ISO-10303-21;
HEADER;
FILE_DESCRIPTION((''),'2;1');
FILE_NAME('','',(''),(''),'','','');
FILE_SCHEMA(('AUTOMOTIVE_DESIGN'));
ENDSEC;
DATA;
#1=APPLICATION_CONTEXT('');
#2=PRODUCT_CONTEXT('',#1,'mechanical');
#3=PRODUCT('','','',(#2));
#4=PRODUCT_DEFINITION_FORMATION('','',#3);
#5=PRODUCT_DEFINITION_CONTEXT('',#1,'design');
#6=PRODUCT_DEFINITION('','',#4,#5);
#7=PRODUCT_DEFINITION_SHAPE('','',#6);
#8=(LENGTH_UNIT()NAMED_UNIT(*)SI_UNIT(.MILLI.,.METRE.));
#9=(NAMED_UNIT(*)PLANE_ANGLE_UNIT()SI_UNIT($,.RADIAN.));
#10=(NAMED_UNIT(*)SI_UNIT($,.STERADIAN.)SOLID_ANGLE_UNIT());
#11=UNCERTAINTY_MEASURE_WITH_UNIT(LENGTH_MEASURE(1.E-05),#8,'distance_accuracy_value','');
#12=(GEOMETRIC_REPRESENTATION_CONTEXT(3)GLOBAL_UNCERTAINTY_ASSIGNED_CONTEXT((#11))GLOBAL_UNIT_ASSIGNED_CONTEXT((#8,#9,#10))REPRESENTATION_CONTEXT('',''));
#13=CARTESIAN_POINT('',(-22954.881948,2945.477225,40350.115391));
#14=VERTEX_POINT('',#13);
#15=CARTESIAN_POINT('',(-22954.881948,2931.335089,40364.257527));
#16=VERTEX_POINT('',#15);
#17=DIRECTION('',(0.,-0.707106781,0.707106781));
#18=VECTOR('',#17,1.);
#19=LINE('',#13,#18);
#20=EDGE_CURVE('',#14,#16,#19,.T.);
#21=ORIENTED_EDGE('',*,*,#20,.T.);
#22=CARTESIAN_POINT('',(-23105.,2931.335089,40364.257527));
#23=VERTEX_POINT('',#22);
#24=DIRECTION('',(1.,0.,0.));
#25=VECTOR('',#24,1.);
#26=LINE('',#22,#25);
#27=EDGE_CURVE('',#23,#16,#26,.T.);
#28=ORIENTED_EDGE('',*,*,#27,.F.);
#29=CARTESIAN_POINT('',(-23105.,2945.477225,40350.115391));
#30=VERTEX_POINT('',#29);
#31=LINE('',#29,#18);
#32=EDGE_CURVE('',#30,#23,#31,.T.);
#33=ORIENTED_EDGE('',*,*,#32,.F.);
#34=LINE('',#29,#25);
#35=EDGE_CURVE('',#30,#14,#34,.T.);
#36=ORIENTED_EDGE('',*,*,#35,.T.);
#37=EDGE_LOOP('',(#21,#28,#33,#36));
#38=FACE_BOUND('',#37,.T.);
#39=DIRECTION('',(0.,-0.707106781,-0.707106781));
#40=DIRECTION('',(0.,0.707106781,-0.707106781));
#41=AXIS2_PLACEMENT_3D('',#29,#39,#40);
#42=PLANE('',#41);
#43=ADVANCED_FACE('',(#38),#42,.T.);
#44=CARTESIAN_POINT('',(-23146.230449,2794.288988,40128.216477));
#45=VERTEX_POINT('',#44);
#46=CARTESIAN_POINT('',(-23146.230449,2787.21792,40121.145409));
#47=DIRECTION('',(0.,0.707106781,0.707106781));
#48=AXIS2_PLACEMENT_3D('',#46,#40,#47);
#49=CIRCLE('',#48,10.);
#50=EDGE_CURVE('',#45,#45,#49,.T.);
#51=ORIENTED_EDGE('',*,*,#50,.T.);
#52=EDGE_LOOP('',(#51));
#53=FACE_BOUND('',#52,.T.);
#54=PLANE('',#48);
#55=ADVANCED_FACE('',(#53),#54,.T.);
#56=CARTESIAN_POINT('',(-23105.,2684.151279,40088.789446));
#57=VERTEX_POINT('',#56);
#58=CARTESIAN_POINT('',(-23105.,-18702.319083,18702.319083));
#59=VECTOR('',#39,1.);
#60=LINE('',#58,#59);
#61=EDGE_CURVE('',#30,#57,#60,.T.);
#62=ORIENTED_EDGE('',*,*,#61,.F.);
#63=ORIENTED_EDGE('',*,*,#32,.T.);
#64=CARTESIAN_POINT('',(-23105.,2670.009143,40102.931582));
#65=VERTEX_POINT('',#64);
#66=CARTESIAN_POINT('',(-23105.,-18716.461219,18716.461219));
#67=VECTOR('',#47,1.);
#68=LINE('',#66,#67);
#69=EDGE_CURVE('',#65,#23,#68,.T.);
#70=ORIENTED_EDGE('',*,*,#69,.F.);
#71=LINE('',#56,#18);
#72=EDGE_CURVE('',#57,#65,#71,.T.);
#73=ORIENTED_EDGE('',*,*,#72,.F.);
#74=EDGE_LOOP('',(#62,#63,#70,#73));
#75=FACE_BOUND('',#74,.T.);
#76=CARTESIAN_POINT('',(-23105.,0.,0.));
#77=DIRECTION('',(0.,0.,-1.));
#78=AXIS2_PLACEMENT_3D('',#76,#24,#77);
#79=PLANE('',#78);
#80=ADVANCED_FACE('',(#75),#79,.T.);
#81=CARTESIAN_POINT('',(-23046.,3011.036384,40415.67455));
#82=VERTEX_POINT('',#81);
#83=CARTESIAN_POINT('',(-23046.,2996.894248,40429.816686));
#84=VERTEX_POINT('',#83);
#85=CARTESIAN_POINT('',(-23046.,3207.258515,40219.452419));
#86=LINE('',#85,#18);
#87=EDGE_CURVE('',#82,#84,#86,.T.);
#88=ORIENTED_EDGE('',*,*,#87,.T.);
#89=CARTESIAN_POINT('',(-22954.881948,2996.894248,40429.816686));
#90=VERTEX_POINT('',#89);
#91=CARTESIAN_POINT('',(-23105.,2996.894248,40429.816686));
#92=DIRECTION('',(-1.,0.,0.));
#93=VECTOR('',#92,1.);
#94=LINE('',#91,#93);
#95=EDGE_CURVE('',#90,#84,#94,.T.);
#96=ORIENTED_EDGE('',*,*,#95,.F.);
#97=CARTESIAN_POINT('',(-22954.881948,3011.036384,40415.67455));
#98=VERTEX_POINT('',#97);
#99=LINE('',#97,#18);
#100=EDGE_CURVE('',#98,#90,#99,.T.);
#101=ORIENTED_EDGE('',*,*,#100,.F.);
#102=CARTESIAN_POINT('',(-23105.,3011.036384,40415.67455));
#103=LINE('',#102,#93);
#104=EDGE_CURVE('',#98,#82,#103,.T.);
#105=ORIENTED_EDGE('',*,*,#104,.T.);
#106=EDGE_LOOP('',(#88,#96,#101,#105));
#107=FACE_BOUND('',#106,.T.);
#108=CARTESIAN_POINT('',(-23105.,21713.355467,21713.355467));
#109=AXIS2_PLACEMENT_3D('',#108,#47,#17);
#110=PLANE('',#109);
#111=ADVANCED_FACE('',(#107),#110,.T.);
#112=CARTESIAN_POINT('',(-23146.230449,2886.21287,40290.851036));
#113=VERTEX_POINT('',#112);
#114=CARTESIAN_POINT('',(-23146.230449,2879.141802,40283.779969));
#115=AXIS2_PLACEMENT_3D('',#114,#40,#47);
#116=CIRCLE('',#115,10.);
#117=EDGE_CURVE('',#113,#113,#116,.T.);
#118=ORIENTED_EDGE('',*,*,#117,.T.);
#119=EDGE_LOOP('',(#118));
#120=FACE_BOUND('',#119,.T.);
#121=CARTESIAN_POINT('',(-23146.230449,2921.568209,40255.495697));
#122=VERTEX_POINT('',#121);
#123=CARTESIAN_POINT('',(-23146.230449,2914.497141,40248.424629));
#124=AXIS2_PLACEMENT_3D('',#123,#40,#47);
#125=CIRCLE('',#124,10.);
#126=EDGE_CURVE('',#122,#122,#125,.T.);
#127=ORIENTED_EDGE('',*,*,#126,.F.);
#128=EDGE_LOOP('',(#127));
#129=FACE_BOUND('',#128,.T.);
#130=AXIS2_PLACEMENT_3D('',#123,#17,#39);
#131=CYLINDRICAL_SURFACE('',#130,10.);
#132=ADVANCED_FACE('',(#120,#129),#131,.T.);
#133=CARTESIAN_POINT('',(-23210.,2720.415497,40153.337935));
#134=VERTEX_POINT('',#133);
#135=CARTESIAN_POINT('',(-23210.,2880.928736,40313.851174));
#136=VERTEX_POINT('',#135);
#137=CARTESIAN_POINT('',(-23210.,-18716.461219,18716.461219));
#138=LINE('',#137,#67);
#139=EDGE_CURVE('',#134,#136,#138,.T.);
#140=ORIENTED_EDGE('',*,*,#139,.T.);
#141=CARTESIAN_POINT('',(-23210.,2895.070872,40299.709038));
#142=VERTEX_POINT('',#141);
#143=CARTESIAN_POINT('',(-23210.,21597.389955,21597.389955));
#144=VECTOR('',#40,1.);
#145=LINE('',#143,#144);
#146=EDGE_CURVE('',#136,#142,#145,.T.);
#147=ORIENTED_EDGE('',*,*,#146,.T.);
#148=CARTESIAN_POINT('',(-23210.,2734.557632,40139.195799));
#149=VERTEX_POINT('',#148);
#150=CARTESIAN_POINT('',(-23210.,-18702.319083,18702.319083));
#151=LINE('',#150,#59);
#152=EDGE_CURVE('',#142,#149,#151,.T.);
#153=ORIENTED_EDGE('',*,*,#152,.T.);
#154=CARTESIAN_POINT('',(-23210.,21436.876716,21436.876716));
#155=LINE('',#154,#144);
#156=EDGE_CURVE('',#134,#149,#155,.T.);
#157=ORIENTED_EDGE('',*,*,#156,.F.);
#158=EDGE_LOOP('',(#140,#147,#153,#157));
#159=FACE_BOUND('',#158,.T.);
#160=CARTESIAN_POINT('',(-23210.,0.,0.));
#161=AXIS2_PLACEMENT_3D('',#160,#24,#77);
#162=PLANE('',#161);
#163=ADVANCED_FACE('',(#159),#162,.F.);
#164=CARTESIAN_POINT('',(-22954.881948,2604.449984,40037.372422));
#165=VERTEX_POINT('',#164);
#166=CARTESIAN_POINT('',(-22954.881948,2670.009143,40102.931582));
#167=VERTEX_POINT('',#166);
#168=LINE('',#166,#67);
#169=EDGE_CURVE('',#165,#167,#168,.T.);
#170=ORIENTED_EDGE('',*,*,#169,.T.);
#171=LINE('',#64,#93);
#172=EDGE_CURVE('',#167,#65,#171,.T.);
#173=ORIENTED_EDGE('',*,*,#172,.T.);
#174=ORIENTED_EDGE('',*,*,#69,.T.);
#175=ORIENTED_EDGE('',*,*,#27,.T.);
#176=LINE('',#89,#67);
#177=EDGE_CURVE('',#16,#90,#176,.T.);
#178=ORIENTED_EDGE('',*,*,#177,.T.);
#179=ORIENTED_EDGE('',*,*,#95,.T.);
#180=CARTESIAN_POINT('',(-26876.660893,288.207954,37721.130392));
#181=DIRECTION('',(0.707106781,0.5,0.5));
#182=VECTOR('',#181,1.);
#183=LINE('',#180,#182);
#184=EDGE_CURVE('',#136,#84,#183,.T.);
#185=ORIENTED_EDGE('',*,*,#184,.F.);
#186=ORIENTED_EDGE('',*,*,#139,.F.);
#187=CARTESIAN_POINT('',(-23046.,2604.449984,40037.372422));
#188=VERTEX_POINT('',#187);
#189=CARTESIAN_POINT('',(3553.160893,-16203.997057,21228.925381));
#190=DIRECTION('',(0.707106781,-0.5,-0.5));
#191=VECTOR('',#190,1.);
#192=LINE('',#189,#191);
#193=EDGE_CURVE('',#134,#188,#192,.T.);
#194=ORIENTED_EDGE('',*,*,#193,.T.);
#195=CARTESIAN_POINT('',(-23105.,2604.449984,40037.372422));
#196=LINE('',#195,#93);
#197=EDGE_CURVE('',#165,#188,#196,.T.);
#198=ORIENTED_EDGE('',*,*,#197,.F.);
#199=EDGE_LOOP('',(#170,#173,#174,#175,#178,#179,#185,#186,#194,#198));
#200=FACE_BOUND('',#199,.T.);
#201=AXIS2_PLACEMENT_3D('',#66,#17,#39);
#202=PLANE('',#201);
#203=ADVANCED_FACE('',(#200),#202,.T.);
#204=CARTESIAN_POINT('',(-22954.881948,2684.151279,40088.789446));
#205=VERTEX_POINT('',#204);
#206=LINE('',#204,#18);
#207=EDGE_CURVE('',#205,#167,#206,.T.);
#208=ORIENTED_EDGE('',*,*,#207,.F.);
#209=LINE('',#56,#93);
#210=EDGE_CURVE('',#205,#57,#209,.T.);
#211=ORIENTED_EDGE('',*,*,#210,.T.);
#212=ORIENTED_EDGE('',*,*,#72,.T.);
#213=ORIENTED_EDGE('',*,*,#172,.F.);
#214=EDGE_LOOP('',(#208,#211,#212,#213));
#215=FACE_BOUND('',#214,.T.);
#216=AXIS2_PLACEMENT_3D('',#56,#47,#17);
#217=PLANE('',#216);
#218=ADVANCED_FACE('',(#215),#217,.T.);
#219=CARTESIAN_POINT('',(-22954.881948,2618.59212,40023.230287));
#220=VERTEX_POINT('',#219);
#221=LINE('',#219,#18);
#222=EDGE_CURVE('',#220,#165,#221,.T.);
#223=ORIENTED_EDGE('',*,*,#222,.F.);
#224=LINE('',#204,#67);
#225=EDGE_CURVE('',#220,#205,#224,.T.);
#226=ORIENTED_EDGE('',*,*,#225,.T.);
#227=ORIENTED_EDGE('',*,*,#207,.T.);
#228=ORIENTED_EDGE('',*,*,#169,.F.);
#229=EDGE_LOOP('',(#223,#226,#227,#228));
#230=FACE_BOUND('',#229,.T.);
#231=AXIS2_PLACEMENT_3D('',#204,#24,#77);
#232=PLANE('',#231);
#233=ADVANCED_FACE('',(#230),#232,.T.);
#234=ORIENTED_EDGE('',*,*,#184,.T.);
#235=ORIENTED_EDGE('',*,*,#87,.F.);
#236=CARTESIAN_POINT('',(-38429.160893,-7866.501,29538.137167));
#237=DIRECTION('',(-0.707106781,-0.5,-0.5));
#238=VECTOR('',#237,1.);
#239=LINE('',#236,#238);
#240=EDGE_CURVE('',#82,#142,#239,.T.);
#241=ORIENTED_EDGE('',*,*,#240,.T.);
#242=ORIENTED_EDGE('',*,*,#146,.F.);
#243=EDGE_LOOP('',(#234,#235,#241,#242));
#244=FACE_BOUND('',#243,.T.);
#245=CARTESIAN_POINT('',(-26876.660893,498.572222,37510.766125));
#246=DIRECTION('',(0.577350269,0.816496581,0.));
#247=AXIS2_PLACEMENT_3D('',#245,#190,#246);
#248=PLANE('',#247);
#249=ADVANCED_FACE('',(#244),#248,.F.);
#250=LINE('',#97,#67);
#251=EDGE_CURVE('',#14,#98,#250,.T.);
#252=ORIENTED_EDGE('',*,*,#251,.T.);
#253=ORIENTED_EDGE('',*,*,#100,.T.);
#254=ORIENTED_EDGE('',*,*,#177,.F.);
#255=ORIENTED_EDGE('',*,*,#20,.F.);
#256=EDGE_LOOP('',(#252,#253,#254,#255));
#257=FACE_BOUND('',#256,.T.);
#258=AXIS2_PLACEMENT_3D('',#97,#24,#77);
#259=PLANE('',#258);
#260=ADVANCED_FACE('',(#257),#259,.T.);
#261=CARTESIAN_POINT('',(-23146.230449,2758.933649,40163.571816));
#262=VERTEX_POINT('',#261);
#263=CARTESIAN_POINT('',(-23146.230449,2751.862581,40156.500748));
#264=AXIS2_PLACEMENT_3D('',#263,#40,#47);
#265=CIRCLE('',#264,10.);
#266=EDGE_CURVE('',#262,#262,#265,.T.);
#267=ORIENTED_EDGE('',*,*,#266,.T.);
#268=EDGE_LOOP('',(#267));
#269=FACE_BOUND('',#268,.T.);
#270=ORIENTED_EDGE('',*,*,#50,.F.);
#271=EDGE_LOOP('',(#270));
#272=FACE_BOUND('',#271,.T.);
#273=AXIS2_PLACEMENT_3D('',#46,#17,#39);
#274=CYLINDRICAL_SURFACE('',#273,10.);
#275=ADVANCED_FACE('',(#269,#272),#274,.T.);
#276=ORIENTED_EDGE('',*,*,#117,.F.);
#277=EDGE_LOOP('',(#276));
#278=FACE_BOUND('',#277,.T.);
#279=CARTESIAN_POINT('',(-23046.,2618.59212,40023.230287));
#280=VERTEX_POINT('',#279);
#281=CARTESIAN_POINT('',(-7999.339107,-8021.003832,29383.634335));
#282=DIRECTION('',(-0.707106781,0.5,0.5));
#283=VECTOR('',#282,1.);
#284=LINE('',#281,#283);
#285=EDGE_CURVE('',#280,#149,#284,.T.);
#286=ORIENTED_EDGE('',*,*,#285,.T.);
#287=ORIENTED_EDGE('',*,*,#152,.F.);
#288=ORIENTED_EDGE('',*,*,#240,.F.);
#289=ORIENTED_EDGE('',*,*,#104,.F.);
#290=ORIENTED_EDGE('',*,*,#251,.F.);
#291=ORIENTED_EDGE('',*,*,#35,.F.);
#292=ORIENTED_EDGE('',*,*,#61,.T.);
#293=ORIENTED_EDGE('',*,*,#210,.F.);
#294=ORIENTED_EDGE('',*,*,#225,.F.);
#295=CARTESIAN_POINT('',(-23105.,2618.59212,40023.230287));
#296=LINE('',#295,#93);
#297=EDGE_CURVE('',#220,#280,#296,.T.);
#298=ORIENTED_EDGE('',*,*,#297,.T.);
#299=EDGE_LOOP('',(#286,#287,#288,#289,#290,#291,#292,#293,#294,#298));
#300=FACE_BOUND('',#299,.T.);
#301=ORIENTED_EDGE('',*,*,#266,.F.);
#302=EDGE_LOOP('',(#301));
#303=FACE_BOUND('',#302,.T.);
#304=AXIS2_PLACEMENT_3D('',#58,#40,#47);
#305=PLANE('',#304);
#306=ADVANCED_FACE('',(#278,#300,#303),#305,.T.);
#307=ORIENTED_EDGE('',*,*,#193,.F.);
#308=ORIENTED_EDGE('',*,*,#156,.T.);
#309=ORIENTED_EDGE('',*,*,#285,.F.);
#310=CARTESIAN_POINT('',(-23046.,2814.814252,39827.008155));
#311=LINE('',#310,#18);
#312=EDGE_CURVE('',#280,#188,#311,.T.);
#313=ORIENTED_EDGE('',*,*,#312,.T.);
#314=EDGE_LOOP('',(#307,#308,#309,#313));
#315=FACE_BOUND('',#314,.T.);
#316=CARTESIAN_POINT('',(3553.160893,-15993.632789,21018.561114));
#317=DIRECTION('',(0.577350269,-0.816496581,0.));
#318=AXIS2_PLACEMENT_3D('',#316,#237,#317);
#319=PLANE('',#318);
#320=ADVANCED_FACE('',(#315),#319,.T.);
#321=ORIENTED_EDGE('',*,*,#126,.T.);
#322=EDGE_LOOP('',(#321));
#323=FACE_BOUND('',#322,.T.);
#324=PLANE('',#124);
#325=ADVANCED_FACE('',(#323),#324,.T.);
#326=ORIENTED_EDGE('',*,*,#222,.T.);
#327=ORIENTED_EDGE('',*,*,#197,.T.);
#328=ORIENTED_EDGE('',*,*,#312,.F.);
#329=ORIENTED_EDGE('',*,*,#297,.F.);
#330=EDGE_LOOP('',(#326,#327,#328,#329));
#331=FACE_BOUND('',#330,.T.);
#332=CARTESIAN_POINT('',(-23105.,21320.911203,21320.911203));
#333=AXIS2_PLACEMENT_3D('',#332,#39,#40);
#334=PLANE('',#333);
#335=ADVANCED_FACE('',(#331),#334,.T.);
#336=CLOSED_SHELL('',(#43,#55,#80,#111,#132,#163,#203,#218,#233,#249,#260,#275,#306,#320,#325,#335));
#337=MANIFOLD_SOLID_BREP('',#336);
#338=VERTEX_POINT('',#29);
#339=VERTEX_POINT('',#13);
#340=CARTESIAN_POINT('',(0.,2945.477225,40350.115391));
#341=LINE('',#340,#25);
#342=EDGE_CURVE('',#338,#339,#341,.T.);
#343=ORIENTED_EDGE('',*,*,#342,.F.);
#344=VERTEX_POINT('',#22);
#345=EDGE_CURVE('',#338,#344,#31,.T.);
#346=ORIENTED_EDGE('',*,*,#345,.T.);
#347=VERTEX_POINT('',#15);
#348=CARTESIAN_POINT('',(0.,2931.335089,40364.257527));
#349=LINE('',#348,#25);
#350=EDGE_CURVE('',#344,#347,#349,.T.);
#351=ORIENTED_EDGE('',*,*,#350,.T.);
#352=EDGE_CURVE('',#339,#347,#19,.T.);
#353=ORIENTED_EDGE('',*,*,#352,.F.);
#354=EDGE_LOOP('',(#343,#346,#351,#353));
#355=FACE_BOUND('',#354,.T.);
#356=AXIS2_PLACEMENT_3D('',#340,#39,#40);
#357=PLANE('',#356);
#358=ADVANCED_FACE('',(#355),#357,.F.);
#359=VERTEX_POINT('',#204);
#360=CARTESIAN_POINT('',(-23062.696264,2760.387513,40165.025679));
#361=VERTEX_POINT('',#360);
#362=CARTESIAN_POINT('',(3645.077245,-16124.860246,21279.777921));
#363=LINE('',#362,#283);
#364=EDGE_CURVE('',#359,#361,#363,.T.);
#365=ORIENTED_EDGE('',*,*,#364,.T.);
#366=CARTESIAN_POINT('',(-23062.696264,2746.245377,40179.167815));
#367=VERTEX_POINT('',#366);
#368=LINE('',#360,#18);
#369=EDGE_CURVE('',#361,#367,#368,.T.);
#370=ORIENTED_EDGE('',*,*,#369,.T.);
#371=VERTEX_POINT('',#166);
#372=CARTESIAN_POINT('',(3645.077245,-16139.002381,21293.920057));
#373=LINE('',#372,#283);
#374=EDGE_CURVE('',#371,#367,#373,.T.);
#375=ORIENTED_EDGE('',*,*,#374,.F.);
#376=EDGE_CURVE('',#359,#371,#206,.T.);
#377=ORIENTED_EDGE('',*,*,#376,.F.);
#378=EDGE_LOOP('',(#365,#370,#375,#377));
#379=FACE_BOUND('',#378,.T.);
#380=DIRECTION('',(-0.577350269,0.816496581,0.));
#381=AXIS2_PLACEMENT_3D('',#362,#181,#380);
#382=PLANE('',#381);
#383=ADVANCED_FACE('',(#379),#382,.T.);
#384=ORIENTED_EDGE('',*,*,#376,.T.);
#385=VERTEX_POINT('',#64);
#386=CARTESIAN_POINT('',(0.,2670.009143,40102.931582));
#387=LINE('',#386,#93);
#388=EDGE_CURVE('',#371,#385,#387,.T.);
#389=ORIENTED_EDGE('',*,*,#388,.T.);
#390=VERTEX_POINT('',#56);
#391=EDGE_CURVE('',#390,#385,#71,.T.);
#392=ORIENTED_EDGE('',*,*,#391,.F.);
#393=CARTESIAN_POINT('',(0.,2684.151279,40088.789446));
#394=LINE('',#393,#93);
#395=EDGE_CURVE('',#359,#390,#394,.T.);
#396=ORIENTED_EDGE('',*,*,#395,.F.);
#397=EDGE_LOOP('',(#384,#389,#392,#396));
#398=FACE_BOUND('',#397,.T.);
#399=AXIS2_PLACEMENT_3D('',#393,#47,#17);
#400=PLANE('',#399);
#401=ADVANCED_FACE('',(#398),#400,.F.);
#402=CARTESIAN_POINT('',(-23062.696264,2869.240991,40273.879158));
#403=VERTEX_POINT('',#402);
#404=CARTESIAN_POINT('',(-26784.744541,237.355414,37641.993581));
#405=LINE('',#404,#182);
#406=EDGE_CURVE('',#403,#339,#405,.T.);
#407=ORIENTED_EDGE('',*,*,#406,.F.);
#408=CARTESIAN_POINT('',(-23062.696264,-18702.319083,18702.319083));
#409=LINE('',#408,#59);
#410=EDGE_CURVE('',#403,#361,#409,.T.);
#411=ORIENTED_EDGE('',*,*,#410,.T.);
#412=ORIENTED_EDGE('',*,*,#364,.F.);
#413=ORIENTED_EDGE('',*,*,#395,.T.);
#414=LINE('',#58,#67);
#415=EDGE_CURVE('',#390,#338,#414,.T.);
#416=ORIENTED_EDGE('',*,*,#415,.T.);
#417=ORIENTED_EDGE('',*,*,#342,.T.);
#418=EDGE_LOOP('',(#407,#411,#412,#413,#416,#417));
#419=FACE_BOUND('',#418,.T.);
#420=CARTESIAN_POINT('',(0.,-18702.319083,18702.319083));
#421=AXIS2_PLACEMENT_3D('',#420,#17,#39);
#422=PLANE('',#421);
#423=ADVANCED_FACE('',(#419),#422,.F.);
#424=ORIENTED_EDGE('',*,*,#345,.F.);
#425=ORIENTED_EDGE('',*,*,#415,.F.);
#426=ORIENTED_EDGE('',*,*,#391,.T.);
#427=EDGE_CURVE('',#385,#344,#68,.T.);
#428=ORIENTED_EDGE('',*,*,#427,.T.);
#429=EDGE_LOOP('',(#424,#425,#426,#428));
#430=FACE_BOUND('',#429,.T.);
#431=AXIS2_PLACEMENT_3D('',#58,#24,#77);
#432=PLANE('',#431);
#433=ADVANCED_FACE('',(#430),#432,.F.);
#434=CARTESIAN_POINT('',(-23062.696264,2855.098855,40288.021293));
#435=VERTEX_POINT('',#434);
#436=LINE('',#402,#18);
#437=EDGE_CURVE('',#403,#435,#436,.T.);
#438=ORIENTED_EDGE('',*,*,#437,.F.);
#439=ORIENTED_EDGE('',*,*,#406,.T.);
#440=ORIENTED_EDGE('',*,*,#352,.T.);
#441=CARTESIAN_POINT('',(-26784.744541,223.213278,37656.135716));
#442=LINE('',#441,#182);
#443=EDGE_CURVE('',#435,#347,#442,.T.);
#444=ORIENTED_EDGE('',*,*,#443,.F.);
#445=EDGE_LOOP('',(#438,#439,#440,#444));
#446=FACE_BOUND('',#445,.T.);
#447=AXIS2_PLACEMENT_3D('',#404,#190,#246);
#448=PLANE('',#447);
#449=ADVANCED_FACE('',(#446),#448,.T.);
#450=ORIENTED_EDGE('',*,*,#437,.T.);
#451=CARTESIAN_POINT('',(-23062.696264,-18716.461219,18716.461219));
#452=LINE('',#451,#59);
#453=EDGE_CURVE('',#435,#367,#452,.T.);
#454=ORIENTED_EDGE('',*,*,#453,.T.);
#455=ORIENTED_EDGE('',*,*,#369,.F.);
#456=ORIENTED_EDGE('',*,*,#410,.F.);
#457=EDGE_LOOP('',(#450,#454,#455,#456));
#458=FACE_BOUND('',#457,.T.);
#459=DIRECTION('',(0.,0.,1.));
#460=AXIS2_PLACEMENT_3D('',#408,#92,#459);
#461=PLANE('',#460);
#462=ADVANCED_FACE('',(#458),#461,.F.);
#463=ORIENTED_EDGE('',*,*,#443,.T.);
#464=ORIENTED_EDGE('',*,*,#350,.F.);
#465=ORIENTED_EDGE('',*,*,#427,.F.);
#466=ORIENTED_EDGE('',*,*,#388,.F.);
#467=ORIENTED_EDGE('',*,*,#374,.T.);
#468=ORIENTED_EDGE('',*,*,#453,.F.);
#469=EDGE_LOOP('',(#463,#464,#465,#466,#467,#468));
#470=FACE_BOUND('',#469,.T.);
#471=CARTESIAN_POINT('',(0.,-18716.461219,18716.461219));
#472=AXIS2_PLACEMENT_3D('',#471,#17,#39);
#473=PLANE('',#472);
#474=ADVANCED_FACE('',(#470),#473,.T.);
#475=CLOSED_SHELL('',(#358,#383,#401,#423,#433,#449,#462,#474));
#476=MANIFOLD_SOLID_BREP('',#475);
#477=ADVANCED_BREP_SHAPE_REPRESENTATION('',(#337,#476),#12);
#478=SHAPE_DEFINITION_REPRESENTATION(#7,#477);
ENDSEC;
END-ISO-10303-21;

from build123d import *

# Parameters (mm, degrees)
BOSS_EXTRUDE1_DEPTH      = 5
BOSS_EXTRUDE1_DEPTH_BACK = 100
BOSS_EXTRUDE1_START      = -23110
SKETCH3_W                = 150.118051911
SKETCH3_H                = 92.714651823
BOSS_EXTRUDE2_DEPTH      = 20
SKETCH4_R                = 10
BOSS_EXTRUDE3_DEPTH      = 50
CUT_EXTRUDE1_DEPTH       = 38501.104645459
BOSS_EXTRUDE4_DEPTH      = 20


with BuildPart() as part:
    # Sketch2 → Boss-Extrude1 (new, two sides: drawn at the far end of the back side and taken through both)
    with BuildSketch(Plane(origin=(0, 0, 0), x_dir=(0, 0, -1), z_dir=(1, 0, 0)).offset(BOSS_EXTRUDE1_START - BOSS_EXTRUDE1_DEPTH_BACK)):
        Polygon((-40429.816686048, 2996.894248022), (-40037.372422489, 2604.449984464), (-40023.230286866, 2618.592120087), (-40415.674550424, 3011.036383646), align=None)
    extrude(amount=BOSS_EXTRUDE1_DEPTH + BOSS_EXTRUDE1_DEPTH_BACK)

    # Sketch3 → Boss-Extrude2 (add)
    with BuildSketch(Plane(origin=(0, -18716.461219013, 18716.461219015), x_dir=(1, 0, 0), z_dir=(0, -0.7071067811865143, 0.7071067811865808))):
        with Locations((-23029.940974045, 30660.964460197)):
            Rectangle(SKETCH3_W, SKETCH3_H)
        with Locations((-23029.940974045, 30198.67911202)):
            Rectangle(SKETCH3_W, SKETCH3_H)
    extrude(amount=-BOSS_EXTRUDE2_DEPTH)

    # Sketch4 → Boss-Extrude3 (add)
    with BuildSketch(Plane(origin=(0, -18702.319083389, 18702.319083389), x_dir=(1, 0, 0), z_dir=(0, 0.7071067811865416, -0.7071067811865535))):
        with Locations((-23146.230449039, -30340.794679614)):
            Circle(SKETCH4_R)
        with Locations((-23146.230449039, -30520.794679614)):
            Circle(SKETCH4_R)
    extrude(amount=BOSS_EXTRUDE3_DEPTH)

    # Sketch7 → Cut-Extrude1 (cut, through all)
    with BuildSketch(Plane(origin=(0, -18716.461219013, 18716.461219015), x_dir=(1, 0, 0), z_dir=(0, -0.7071067811865143, 0.7071067811865808))):
        Polygon((-23210, 30152.321786108), (-23046, 30152.321786108), (-23210, 30316.321786108), align=None)
        Polygon((-23210, 30707.321786108), (-23210, 30543.321786108), (-23046, 30707.321786108), align=None)
    extrude(amount=-CUT_EXTRUDE1_DEPTH, mode=Mode.SUBTRACT)


with BuildPart() as body_2:
    # Sketch7<3> → Boss-Extrude4 (new body)
    with BuildSketch(Plane(origin=(0, -18716.461219013, 18716.461219015), x_dir=(1, 0, 0), z_dir=(0, -0.7071067811865143, 0.7071067811865808))):
        Polygon((-23105, 30245.036437931), (-22954.881948089, 30245.036437931), (-23062.696263559, 30352.850753401), (-23062.696263559, 30506.792818814), (-22954.881948089, 30614.607134285), (-23105, 30614.607134285), align=None)
    extrude(amount=-BOSS_EXTRUDE4_DEPTH)


solid = Compound([part.part, body_2.part])
